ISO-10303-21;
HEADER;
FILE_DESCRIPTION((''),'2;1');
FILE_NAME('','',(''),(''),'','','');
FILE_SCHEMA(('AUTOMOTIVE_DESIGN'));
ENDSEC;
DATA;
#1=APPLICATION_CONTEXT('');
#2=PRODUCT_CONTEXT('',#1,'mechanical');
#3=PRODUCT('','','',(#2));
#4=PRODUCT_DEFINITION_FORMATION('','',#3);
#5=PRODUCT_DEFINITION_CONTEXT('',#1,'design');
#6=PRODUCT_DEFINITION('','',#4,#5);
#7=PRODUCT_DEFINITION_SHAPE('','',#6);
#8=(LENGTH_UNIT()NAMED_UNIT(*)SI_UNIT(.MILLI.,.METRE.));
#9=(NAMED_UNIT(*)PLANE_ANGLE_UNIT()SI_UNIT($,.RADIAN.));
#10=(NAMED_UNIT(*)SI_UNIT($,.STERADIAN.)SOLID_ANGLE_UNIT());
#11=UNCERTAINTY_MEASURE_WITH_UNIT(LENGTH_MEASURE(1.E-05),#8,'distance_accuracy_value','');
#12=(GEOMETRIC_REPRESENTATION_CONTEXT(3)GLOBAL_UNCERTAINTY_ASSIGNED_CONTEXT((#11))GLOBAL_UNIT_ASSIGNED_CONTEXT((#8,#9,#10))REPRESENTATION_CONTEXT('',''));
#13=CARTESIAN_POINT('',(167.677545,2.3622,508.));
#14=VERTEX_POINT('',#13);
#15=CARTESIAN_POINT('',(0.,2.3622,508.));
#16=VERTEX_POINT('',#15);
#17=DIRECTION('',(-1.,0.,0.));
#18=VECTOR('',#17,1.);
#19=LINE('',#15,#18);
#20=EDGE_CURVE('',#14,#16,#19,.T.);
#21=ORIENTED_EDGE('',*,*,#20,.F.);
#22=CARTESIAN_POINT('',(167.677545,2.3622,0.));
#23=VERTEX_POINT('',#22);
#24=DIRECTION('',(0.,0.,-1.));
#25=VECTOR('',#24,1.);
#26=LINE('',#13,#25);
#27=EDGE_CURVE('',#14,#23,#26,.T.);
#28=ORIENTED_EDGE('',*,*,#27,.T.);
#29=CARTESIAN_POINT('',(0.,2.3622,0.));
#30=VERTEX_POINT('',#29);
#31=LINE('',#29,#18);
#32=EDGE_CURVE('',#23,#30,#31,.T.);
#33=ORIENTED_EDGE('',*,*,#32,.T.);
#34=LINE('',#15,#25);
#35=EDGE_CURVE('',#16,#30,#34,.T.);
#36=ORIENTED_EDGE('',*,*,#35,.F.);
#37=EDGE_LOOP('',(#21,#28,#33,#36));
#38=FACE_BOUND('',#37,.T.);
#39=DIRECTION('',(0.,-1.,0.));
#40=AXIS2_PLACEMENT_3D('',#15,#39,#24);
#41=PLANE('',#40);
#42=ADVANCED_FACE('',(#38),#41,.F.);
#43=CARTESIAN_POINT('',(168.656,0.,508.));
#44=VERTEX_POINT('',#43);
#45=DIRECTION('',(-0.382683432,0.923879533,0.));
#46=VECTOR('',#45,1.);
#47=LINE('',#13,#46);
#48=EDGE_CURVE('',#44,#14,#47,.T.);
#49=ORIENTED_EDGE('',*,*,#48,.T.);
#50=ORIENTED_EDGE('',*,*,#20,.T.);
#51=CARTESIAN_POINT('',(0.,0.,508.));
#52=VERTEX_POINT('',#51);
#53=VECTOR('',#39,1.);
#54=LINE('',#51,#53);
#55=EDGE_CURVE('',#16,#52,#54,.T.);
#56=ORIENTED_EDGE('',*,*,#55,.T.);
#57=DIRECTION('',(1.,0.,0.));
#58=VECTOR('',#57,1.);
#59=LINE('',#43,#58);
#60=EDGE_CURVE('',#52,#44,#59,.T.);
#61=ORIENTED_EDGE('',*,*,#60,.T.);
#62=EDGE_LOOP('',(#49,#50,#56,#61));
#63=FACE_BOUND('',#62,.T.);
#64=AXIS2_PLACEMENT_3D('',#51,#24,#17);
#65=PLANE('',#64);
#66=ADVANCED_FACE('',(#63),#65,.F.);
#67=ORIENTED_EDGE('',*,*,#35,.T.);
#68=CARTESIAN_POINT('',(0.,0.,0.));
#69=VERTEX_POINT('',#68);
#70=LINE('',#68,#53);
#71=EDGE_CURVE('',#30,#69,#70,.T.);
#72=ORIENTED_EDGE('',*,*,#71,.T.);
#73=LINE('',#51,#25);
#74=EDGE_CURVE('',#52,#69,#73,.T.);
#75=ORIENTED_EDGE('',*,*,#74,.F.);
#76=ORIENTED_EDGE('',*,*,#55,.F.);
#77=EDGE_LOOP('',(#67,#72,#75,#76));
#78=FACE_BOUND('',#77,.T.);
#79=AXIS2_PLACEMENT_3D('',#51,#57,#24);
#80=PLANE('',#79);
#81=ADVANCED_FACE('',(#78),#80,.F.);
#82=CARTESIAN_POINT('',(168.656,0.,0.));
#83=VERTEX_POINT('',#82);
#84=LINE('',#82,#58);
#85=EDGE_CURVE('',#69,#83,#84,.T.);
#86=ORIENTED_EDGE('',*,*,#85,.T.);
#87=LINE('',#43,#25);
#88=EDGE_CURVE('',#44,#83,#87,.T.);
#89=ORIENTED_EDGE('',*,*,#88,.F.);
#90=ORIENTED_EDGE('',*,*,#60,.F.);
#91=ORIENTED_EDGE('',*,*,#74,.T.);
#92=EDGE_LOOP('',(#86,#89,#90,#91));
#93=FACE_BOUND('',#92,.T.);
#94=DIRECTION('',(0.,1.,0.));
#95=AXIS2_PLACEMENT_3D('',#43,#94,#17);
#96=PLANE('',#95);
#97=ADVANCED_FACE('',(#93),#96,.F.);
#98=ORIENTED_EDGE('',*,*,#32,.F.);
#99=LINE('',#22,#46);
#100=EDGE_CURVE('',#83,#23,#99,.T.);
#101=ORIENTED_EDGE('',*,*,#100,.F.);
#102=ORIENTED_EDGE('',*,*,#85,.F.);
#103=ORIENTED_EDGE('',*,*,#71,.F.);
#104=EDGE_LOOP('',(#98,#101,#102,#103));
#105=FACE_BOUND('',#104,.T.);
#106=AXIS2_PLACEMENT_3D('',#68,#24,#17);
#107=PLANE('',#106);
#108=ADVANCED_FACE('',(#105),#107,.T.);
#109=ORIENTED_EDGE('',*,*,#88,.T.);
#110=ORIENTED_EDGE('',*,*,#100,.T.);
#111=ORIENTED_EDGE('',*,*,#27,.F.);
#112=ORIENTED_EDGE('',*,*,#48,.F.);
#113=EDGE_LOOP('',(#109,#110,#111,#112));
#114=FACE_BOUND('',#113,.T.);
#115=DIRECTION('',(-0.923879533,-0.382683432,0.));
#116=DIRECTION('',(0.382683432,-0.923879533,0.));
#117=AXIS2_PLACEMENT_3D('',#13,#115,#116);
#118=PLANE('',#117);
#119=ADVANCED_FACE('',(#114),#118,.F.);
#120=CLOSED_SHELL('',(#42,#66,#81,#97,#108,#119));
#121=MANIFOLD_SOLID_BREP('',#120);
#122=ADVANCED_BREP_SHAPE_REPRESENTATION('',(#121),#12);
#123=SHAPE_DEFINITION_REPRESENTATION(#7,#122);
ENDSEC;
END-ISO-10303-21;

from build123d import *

# Parameters (mm, degrees)
BOSS_EXTRUDE1_DEPTH = 508


with BuildPart() as part:
    # Sketch1 → Boss-Extrude1 (new body)
    with BuildSketch(Plane.XY):
        Polygon((0, 0), (0, 2.3622), (167.677544723, 2.3622), (168.656, 0), align=None)
    extrude(amount=BOSS_EXTRUDE1_DEPTH)


solid = part.part
